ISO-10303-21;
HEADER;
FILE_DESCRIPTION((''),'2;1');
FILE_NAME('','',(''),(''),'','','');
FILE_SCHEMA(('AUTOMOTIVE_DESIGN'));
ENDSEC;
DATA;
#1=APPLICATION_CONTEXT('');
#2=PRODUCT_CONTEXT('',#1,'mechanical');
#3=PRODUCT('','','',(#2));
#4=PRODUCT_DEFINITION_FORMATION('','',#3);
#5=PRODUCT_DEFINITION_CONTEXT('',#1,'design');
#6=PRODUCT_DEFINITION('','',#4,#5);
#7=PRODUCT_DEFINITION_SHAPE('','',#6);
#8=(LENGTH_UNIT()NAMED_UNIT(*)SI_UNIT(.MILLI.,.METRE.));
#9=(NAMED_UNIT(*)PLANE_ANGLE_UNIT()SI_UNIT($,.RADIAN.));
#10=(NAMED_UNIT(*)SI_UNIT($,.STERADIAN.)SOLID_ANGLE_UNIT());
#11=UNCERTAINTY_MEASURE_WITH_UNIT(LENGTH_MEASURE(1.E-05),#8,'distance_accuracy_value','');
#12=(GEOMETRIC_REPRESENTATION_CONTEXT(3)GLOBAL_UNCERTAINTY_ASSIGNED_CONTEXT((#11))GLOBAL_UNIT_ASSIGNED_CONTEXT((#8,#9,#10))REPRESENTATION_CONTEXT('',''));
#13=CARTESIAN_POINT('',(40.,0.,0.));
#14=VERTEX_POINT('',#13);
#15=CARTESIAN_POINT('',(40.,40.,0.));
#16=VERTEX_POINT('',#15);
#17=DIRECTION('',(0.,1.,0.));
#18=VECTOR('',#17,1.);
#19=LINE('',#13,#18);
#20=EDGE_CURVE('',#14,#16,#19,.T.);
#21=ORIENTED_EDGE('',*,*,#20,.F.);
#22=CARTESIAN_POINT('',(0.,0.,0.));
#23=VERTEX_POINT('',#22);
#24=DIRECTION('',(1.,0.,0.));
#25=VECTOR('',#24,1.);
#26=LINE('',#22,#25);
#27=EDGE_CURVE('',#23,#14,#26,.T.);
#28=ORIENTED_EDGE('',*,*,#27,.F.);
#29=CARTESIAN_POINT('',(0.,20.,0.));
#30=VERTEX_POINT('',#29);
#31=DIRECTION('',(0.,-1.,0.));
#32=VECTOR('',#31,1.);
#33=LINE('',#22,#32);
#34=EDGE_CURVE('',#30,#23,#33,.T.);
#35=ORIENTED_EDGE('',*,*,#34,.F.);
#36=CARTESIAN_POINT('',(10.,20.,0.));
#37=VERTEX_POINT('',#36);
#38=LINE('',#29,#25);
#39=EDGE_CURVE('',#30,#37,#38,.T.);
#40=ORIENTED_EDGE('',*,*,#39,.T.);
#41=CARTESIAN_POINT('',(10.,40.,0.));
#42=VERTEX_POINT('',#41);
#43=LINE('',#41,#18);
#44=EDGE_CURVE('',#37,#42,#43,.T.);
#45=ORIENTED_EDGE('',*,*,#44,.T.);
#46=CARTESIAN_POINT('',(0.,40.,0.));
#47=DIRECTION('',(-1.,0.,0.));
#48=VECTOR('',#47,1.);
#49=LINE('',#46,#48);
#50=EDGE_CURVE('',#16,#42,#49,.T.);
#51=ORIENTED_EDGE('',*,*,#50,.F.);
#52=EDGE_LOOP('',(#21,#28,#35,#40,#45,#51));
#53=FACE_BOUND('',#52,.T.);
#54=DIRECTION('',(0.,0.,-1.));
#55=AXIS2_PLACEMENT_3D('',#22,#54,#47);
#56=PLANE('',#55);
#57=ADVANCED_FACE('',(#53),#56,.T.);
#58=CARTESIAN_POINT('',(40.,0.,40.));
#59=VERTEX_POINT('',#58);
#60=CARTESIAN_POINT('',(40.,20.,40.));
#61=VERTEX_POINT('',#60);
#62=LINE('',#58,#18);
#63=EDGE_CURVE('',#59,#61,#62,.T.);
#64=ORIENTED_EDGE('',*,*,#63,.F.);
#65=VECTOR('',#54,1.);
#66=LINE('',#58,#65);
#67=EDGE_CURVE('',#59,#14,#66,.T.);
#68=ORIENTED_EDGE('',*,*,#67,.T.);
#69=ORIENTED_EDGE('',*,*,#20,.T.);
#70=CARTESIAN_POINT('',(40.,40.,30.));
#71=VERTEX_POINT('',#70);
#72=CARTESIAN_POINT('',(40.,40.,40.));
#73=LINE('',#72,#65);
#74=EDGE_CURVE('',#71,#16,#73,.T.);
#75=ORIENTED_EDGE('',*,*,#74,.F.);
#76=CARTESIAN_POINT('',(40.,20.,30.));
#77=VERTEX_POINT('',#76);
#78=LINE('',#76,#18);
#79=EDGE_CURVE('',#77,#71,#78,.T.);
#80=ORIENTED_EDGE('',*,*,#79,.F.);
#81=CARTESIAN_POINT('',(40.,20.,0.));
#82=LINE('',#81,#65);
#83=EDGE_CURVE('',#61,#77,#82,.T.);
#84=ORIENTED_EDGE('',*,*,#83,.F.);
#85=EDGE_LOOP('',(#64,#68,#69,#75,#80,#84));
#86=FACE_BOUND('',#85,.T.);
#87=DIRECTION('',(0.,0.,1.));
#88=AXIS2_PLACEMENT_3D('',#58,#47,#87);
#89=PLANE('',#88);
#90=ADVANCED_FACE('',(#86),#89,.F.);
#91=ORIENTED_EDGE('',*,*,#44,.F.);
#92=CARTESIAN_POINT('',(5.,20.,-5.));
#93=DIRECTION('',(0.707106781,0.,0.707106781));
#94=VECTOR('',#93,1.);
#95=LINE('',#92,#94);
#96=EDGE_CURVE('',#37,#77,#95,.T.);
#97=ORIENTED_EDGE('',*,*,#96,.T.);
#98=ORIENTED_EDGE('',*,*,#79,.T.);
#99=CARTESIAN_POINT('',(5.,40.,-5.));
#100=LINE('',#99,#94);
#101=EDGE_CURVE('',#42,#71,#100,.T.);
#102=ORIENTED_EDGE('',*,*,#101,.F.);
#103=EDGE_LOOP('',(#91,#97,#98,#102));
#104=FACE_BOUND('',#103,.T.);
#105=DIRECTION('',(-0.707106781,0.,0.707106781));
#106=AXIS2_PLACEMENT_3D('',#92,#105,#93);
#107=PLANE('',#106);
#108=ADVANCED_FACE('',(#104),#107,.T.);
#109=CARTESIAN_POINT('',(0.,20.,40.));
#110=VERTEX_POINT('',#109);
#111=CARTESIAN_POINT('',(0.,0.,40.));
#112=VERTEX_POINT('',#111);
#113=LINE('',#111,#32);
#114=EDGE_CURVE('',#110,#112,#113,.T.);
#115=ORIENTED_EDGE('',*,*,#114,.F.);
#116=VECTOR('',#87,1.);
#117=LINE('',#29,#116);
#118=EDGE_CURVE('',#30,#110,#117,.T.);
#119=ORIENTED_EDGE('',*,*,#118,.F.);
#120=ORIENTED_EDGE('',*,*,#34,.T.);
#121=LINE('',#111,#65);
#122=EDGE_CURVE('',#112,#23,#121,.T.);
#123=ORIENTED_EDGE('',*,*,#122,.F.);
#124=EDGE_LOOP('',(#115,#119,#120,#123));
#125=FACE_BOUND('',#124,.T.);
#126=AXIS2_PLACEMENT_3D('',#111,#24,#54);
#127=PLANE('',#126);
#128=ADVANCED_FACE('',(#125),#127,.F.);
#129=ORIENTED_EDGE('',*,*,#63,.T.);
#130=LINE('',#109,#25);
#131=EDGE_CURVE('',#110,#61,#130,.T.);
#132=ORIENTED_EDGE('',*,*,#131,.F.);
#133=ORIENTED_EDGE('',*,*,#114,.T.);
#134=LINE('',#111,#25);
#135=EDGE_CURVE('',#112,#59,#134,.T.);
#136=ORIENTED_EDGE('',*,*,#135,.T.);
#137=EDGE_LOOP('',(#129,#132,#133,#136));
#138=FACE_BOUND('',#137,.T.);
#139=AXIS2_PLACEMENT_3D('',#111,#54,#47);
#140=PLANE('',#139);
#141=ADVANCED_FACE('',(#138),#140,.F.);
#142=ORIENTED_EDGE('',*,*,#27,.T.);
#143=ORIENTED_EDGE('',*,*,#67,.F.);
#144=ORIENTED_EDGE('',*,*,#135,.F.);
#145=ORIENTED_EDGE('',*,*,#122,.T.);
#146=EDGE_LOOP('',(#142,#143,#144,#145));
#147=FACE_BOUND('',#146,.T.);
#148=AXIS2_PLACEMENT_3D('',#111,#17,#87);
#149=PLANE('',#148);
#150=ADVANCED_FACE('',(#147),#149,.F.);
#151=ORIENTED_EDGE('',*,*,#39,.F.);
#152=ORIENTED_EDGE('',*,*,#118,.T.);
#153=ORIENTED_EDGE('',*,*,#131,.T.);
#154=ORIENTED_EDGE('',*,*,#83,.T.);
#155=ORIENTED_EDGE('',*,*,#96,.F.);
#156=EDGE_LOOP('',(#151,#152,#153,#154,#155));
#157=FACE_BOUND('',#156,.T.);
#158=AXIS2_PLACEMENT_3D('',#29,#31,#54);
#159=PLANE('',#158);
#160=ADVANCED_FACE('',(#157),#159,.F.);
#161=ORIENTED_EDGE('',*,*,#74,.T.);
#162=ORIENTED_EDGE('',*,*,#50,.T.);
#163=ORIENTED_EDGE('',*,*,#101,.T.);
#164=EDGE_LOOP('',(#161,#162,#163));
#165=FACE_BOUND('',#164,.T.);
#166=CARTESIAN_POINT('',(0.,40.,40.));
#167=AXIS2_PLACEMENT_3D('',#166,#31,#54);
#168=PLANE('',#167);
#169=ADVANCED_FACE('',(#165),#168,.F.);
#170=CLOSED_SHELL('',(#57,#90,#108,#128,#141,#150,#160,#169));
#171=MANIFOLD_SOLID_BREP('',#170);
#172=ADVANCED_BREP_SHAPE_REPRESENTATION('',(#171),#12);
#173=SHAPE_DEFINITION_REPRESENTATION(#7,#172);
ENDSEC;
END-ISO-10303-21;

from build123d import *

# Parameters (mm, degrees)
SKETCH1_W           = 40
SKETCH1_H           = 40
BOSS_EXTRUDE1_DEPTH = 40
SKETCH2_W           = 10
SKETCH2_H           = 20
CUT_EXTRUDE1_DEPTH  = 40
CUT_EXTRUDE3_DEPTH  = 20


with BuildPart() as part:
    # Sketch1 → Boss-Extrude1 (new body)
    with BuildSketch(Plane.XY):
        with Locations((20, 20)):
            Rectangle(SKETCH1_W, SKETCH1_H)
    extrude(amount=BOSS_EXTRUDE1_DEPTH)

    # Sketch2 → Cut-Extrude1 (cut)
    with BuildSketch(Plane.XY.offset(40)):
        with Locations((5, 30)):
            Rectangle(SKETCH2_W, SKETCH2_H)
    extrude(amount=-CUT_EXTRUDE1_DEPTH, mode=Mode.SUBTRACT)

    # Sketch3 → Cut-Extrude3 (cut)
    with BuildSketch(Plane(origin=(0, 40, 0), x_dir=(1, 0, 0), z_dir=(0, 1, 0))):
        Polygon((40, -30), (10, 0), (10, -40), (40, -40), align=None)
    extrude(amount=-CUT_EXTRUDE3_DEPTH, mode=Mode.SUBTRACT)


solid = part.part
